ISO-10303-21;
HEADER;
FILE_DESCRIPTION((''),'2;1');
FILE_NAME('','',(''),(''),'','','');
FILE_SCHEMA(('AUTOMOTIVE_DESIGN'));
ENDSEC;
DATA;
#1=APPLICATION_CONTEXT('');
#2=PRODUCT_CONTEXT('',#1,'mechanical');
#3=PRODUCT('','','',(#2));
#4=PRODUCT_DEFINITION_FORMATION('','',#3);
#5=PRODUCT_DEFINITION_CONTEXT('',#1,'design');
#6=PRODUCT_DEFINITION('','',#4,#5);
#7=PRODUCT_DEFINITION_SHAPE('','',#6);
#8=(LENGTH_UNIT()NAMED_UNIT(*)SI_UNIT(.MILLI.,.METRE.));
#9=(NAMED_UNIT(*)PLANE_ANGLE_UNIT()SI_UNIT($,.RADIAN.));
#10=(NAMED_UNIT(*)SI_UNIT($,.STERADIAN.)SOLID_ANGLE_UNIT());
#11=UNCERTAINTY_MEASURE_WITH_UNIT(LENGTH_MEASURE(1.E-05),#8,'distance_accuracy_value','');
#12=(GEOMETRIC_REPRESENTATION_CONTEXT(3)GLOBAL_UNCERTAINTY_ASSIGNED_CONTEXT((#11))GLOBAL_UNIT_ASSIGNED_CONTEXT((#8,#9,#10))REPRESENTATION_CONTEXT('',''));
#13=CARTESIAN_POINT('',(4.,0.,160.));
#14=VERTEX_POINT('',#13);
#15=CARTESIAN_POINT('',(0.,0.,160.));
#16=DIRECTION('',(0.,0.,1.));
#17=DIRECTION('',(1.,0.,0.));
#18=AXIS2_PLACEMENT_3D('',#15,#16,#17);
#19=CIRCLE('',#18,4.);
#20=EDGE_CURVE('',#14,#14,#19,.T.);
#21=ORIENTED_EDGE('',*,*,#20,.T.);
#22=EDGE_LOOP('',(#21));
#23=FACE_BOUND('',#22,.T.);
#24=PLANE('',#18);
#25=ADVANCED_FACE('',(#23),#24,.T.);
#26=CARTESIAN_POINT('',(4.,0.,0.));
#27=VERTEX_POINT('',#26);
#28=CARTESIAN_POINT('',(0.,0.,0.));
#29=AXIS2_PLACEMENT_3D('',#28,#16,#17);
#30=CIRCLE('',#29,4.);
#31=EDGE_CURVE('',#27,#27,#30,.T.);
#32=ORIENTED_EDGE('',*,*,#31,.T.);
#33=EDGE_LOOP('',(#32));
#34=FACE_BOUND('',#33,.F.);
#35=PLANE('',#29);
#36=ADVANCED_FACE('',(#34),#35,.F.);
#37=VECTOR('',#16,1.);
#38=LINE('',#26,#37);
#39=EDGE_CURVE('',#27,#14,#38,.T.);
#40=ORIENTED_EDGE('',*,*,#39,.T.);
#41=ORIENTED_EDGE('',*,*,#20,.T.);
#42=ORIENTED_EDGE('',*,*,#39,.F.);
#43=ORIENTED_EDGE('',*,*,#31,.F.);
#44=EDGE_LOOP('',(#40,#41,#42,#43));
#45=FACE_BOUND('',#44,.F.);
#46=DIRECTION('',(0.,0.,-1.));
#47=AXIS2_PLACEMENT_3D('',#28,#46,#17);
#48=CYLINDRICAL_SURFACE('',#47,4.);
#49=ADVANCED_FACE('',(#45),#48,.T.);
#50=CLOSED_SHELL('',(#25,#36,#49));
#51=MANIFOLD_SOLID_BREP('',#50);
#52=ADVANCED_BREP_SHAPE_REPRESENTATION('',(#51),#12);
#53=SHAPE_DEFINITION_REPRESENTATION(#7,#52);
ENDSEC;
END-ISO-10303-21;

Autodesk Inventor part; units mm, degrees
ref_plane "YZ Plane" through (0, 0, 0) normal (1, 0, 0) x (0, 1, 0)
ref_plane "XZ Plane" through (0, 0, 0) normal (0, 1, 0) x (-1, 0, 0)
ref_plane "XY Plane" through (0, 0, 0) normal (0, 0, 1) x (1, 0, 0)
sketch "Sketch1" plane through (0, 0, 0) normal (0, 0, 1) x (1, 0, 0)
  circle A0 centre (0, 0) radius 4
  dimension "d0" = 8
  dimension "d0" = 8
extrude "Extrusion1" add sketch "Sketch1" along normal blind 160
properties part number "front axle"
